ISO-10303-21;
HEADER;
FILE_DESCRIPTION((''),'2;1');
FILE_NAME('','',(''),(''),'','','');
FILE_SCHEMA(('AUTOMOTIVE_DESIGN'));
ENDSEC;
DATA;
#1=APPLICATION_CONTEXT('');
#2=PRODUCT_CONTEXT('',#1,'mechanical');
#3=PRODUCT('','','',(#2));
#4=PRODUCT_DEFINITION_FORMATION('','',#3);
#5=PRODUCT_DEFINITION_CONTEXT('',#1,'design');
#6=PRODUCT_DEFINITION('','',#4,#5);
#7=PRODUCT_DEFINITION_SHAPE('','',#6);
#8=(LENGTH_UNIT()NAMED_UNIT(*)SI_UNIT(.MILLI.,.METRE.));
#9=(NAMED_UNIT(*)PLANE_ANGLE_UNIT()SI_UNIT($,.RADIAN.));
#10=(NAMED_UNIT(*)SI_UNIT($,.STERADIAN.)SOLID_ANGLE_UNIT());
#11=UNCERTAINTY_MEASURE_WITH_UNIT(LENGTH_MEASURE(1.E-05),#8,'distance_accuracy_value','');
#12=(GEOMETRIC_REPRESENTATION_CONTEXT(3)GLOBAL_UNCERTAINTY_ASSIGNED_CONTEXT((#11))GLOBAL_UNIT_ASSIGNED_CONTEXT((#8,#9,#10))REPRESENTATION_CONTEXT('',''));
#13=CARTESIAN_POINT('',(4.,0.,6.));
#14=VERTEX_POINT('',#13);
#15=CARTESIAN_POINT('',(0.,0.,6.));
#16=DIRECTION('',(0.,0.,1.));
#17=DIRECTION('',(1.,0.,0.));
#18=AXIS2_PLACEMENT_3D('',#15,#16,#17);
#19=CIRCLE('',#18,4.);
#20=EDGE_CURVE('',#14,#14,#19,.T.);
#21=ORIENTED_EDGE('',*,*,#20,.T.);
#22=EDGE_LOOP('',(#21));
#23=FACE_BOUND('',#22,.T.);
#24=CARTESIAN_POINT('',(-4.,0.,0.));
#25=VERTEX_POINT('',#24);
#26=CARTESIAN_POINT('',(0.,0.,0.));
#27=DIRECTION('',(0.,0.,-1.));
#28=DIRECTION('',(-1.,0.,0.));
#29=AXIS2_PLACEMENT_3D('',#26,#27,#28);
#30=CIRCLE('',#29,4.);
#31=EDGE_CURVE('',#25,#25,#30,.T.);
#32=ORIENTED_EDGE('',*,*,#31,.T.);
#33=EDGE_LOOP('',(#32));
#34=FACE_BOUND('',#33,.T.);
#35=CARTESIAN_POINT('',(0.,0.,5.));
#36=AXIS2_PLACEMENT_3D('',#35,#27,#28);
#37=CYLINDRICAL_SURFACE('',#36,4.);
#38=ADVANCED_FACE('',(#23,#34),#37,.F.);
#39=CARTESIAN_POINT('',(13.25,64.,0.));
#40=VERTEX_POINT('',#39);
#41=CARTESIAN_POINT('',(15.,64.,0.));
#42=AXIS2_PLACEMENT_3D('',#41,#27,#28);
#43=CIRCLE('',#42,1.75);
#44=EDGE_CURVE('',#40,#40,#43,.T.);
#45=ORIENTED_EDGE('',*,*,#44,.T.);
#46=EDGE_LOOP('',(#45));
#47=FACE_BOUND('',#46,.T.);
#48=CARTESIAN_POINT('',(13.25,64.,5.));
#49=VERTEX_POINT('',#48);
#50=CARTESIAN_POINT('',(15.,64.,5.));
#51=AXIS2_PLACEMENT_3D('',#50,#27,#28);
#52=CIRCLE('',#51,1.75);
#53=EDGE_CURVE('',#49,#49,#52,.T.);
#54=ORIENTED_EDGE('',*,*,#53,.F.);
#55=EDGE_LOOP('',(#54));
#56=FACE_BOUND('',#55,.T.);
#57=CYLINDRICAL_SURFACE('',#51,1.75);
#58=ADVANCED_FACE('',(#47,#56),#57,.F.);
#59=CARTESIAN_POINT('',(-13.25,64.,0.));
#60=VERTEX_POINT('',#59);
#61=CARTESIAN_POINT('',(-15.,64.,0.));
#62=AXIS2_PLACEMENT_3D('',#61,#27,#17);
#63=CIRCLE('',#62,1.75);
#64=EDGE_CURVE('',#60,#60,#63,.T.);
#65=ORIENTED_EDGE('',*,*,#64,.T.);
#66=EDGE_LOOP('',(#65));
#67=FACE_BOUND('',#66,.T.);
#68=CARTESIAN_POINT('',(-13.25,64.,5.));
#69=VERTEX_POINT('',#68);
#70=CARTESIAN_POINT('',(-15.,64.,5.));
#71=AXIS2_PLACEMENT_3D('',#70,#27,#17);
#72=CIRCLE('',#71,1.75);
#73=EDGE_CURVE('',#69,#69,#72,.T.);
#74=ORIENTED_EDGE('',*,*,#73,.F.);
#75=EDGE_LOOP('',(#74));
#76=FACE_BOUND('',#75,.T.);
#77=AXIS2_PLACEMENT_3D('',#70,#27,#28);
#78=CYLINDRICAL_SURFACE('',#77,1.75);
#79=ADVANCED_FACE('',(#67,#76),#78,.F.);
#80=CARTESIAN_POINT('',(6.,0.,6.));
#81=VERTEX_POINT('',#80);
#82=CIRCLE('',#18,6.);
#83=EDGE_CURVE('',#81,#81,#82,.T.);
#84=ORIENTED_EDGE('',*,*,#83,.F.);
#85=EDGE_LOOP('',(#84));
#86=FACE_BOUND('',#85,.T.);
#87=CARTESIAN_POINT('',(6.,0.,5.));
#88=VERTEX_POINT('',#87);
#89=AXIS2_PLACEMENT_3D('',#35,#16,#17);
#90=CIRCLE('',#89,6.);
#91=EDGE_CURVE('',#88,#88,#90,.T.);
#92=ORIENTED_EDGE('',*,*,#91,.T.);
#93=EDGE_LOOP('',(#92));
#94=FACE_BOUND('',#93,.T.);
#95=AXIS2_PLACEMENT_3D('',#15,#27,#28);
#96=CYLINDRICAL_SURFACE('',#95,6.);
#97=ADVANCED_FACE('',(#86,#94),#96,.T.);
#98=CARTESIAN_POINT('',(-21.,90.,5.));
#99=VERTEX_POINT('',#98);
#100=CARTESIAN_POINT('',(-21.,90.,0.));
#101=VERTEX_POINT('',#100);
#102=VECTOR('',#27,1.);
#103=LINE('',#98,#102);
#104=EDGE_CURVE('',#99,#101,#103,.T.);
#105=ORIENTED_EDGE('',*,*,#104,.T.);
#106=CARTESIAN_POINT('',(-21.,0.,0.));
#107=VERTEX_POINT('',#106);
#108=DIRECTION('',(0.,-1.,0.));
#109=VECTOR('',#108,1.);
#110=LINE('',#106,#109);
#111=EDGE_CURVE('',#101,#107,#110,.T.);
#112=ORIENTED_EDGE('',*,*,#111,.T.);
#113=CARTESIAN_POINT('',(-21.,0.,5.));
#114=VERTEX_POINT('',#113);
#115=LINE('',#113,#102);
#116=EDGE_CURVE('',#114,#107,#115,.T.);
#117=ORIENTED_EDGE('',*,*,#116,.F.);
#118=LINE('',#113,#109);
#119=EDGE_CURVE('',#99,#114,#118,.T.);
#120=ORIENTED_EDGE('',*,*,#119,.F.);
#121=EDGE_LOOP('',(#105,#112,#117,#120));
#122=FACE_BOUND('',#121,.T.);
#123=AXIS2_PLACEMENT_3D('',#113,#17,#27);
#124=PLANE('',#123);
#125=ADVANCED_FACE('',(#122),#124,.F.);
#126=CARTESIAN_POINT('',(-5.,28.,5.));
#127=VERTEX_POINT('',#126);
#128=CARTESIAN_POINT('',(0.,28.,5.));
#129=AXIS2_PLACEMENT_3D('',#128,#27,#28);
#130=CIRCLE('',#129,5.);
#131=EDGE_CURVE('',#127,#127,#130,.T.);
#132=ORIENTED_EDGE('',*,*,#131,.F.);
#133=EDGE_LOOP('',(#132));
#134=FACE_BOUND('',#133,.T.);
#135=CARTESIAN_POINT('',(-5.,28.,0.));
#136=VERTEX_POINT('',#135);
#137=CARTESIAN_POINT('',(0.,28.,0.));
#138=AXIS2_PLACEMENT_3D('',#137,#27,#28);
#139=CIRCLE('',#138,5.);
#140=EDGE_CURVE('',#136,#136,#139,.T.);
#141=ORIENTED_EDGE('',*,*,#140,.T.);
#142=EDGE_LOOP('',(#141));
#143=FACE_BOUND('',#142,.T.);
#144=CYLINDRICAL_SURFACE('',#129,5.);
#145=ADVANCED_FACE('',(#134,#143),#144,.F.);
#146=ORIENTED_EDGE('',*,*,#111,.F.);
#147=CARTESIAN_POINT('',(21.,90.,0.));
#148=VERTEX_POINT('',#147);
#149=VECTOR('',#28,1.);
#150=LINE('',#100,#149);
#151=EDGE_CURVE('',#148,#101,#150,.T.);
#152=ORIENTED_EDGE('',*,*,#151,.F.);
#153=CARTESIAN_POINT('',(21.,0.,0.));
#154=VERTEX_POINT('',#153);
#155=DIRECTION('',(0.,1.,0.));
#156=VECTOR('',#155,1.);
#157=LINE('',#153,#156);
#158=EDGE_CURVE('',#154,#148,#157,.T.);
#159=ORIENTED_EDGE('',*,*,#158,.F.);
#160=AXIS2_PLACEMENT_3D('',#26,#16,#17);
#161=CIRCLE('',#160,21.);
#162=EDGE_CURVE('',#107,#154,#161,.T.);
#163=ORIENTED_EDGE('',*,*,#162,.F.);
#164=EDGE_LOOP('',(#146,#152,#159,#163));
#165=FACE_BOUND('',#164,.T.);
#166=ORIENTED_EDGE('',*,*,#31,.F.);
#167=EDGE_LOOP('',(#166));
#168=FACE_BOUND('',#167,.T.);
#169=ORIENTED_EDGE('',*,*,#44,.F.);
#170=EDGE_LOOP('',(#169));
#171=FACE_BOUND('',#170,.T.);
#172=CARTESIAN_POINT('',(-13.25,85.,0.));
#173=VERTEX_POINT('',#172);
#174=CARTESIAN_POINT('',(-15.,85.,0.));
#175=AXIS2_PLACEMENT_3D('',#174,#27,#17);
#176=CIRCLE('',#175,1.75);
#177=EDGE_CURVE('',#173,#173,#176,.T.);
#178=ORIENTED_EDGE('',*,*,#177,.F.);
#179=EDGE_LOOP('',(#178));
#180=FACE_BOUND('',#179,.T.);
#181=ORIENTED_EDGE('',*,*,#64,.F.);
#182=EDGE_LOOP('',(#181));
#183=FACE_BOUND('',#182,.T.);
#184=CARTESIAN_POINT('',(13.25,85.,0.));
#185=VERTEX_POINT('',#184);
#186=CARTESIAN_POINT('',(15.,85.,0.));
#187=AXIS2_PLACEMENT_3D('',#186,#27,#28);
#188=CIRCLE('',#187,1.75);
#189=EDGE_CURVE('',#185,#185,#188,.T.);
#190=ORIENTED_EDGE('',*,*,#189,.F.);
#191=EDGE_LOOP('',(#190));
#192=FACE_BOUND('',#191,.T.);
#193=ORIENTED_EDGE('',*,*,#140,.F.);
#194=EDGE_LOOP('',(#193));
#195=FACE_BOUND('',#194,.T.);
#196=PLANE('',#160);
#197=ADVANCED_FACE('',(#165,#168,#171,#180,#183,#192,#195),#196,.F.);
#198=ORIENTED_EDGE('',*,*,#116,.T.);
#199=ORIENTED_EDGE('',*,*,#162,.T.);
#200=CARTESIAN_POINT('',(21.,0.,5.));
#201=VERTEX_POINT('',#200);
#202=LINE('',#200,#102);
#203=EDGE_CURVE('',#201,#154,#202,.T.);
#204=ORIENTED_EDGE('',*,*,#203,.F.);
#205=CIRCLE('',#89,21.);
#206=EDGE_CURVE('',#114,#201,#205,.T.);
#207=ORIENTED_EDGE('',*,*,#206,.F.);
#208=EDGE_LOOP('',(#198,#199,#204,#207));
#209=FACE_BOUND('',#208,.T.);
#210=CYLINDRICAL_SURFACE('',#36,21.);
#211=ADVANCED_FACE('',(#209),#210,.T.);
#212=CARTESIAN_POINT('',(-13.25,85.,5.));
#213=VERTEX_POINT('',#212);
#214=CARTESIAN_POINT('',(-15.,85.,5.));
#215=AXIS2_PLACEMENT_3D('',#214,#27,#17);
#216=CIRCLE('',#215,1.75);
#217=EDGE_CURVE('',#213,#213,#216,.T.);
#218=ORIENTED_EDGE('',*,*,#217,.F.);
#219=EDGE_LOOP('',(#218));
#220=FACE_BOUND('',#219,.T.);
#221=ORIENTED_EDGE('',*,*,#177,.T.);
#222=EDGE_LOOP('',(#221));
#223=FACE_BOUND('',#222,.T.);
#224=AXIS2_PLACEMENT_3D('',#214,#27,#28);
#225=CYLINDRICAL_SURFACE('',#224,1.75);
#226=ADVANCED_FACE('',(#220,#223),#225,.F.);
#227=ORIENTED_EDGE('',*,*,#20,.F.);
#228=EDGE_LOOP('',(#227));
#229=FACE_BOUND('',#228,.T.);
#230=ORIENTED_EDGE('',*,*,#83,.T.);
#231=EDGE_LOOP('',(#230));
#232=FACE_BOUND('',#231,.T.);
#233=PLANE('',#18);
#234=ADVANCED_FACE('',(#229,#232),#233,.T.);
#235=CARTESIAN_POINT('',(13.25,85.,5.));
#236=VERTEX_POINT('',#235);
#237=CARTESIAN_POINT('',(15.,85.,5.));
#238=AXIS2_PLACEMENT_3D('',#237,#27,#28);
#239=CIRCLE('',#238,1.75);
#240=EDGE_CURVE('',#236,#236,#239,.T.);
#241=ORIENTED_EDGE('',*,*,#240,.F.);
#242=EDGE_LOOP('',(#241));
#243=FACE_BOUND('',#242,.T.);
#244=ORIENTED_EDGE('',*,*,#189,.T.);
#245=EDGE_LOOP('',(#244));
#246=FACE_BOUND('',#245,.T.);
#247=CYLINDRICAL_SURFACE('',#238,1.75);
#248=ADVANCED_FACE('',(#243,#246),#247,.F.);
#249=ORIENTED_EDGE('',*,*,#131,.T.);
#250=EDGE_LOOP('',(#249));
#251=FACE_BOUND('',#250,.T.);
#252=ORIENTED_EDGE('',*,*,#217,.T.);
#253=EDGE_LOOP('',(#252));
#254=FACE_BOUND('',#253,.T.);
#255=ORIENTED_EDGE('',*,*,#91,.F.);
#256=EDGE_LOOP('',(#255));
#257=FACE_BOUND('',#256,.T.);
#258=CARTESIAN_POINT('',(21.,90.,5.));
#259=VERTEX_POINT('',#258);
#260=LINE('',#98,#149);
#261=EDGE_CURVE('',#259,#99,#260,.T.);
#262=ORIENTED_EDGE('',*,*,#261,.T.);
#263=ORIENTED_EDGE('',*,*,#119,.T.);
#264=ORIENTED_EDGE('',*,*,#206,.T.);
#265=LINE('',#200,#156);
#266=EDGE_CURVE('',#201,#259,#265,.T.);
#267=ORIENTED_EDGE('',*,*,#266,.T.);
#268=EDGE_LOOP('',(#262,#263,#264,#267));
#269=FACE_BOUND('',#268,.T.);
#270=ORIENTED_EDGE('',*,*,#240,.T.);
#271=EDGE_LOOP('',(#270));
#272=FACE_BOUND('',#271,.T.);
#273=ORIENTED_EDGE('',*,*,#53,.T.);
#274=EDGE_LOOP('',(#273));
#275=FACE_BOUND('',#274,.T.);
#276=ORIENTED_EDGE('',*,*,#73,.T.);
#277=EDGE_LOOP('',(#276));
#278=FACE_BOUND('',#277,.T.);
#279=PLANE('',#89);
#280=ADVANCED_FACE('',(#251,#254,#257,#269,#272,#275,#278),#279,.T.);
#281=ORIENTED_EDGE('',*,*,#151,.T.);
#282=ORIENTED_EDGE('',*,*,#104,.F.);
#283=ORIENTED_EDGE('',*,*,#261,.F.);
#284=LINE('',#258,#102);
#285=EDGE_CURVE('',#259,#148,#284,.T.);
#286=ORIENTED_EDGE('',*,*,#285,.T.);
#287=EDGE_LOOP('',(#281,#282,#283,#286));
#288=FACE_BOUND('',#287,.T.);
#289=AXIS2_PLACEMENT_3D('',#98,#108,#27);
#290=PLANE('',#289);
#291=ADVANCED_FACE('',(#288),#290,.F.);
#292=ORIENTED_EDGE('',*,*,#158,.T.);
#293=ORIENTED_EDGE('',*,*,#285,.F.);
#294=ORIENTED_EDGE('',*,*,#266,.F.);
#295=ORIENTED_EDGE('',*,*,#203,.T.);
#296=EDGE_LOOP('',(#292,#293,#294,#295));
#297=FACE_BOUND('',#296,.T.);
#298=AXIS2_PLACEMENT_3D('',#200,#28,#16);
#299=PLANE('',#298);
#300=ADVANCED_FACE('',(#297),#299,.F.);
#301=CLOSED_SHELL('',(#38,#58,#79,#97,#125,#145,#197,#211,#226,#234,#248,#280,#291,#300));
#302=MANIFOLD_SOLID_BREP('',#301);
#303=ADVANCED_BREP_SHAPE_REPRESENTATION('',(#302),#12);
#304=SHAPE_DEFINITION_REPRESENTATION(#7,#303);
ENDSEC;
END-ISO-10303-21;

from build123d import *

# Parameters (mm, degrees)
BOSS_EXTRUDE1_DEPTH = 5
SKETCH2_R           = 1.75
CUT_EXTRUDE1_DEPTH  = 93.552687697
SKETCH3_R           = 4
CUT_EXTRUDE2_DEPTH  = 93.552687697
SKETCH4_R           = 5
CUT_EXTRUDE3_DEPTH  = 93.552687697
SKETCH6_R           = 6
SKETCH6_R_2         = 4
BOSS_EXTRUDE3_DEPTH = 1


with BuildPart() as part:
    # Sketch1 → Boss-Extrude1 (new body)
    with BuildSketch(Plane.XY):
        with BuildLine():
            Line((-21, 0), (-21, 90))
            Line((-21, 90), (21, 90))
            Line((21, 90), (21, 0))
            ThreePointArc((21, 0), (0, -21), (-21, 0))
        make_face()
    extrude(amount=BOSS_EXTRUDE1_DEPTH)

    # Sketch2 → Cut-Extrude1 (cut, through all)
    with BuildSketch(Plane(origin=(0, 0, 0), x_dir=(-1, 0, 0), z_dir=(0, 0, -1))):
        with Locations((-15, 85)):
            Circle(SKETCH2_R)
        with Locations((-15, 64)):
            Circle(SKETCH2_R)
        with Locations(Location((15, 64, 0), (0, 0, 180))):
            Circle(SKETCH2_R)
        with Locations(Location((15, 85, 0), (0, 0, 180))):
            Circle(SKETCH2_R)
    extrude(amount=-CUT_EXTRUDE1_DEPTH, mode=Mode.SUBTRACT)

    # Sketch3 → Cut-Extrude2 (cut, through all)
    with BuildSketch(Plane(origin=(0, 0, 0), x_dir=(-1, 0, 0), z_dir=(0, 0, -1))):
        Circle(SKETCH3_R)
    extrude(amount=-CUT_EXTRUDE2_DEPTH, mode=Mode.SUBTRACT)

    # Sketch4 → Cut-Extrude3 (cut, through all)
    with BuildSketch(Plane(origin=(0, 0, 0), x_dir=(-1, 0, 0), z_dir=(0, 0, -1))):
        with Locations((0, 28)):
            Circle(SKETCH4_R)
    extrude(amount=-CUT_EXTRUDE3_DEPTH, mode=Mode.SUBTRACT)

    # Sketch6 → Boss-Extrude3 (add)
    with BuildSketch(Plane.XY.offset(5)):
        Circle(SKETCH6_R)
        with Locations(Location((0, 0, 0), (0, 0, 180))):
            Circle(SKETCH6_R_2, mode=Mode.SUBTRACT)
    extrude(amount=BOSS_EXTRUDE3_DEPTH)


solid = part.part
